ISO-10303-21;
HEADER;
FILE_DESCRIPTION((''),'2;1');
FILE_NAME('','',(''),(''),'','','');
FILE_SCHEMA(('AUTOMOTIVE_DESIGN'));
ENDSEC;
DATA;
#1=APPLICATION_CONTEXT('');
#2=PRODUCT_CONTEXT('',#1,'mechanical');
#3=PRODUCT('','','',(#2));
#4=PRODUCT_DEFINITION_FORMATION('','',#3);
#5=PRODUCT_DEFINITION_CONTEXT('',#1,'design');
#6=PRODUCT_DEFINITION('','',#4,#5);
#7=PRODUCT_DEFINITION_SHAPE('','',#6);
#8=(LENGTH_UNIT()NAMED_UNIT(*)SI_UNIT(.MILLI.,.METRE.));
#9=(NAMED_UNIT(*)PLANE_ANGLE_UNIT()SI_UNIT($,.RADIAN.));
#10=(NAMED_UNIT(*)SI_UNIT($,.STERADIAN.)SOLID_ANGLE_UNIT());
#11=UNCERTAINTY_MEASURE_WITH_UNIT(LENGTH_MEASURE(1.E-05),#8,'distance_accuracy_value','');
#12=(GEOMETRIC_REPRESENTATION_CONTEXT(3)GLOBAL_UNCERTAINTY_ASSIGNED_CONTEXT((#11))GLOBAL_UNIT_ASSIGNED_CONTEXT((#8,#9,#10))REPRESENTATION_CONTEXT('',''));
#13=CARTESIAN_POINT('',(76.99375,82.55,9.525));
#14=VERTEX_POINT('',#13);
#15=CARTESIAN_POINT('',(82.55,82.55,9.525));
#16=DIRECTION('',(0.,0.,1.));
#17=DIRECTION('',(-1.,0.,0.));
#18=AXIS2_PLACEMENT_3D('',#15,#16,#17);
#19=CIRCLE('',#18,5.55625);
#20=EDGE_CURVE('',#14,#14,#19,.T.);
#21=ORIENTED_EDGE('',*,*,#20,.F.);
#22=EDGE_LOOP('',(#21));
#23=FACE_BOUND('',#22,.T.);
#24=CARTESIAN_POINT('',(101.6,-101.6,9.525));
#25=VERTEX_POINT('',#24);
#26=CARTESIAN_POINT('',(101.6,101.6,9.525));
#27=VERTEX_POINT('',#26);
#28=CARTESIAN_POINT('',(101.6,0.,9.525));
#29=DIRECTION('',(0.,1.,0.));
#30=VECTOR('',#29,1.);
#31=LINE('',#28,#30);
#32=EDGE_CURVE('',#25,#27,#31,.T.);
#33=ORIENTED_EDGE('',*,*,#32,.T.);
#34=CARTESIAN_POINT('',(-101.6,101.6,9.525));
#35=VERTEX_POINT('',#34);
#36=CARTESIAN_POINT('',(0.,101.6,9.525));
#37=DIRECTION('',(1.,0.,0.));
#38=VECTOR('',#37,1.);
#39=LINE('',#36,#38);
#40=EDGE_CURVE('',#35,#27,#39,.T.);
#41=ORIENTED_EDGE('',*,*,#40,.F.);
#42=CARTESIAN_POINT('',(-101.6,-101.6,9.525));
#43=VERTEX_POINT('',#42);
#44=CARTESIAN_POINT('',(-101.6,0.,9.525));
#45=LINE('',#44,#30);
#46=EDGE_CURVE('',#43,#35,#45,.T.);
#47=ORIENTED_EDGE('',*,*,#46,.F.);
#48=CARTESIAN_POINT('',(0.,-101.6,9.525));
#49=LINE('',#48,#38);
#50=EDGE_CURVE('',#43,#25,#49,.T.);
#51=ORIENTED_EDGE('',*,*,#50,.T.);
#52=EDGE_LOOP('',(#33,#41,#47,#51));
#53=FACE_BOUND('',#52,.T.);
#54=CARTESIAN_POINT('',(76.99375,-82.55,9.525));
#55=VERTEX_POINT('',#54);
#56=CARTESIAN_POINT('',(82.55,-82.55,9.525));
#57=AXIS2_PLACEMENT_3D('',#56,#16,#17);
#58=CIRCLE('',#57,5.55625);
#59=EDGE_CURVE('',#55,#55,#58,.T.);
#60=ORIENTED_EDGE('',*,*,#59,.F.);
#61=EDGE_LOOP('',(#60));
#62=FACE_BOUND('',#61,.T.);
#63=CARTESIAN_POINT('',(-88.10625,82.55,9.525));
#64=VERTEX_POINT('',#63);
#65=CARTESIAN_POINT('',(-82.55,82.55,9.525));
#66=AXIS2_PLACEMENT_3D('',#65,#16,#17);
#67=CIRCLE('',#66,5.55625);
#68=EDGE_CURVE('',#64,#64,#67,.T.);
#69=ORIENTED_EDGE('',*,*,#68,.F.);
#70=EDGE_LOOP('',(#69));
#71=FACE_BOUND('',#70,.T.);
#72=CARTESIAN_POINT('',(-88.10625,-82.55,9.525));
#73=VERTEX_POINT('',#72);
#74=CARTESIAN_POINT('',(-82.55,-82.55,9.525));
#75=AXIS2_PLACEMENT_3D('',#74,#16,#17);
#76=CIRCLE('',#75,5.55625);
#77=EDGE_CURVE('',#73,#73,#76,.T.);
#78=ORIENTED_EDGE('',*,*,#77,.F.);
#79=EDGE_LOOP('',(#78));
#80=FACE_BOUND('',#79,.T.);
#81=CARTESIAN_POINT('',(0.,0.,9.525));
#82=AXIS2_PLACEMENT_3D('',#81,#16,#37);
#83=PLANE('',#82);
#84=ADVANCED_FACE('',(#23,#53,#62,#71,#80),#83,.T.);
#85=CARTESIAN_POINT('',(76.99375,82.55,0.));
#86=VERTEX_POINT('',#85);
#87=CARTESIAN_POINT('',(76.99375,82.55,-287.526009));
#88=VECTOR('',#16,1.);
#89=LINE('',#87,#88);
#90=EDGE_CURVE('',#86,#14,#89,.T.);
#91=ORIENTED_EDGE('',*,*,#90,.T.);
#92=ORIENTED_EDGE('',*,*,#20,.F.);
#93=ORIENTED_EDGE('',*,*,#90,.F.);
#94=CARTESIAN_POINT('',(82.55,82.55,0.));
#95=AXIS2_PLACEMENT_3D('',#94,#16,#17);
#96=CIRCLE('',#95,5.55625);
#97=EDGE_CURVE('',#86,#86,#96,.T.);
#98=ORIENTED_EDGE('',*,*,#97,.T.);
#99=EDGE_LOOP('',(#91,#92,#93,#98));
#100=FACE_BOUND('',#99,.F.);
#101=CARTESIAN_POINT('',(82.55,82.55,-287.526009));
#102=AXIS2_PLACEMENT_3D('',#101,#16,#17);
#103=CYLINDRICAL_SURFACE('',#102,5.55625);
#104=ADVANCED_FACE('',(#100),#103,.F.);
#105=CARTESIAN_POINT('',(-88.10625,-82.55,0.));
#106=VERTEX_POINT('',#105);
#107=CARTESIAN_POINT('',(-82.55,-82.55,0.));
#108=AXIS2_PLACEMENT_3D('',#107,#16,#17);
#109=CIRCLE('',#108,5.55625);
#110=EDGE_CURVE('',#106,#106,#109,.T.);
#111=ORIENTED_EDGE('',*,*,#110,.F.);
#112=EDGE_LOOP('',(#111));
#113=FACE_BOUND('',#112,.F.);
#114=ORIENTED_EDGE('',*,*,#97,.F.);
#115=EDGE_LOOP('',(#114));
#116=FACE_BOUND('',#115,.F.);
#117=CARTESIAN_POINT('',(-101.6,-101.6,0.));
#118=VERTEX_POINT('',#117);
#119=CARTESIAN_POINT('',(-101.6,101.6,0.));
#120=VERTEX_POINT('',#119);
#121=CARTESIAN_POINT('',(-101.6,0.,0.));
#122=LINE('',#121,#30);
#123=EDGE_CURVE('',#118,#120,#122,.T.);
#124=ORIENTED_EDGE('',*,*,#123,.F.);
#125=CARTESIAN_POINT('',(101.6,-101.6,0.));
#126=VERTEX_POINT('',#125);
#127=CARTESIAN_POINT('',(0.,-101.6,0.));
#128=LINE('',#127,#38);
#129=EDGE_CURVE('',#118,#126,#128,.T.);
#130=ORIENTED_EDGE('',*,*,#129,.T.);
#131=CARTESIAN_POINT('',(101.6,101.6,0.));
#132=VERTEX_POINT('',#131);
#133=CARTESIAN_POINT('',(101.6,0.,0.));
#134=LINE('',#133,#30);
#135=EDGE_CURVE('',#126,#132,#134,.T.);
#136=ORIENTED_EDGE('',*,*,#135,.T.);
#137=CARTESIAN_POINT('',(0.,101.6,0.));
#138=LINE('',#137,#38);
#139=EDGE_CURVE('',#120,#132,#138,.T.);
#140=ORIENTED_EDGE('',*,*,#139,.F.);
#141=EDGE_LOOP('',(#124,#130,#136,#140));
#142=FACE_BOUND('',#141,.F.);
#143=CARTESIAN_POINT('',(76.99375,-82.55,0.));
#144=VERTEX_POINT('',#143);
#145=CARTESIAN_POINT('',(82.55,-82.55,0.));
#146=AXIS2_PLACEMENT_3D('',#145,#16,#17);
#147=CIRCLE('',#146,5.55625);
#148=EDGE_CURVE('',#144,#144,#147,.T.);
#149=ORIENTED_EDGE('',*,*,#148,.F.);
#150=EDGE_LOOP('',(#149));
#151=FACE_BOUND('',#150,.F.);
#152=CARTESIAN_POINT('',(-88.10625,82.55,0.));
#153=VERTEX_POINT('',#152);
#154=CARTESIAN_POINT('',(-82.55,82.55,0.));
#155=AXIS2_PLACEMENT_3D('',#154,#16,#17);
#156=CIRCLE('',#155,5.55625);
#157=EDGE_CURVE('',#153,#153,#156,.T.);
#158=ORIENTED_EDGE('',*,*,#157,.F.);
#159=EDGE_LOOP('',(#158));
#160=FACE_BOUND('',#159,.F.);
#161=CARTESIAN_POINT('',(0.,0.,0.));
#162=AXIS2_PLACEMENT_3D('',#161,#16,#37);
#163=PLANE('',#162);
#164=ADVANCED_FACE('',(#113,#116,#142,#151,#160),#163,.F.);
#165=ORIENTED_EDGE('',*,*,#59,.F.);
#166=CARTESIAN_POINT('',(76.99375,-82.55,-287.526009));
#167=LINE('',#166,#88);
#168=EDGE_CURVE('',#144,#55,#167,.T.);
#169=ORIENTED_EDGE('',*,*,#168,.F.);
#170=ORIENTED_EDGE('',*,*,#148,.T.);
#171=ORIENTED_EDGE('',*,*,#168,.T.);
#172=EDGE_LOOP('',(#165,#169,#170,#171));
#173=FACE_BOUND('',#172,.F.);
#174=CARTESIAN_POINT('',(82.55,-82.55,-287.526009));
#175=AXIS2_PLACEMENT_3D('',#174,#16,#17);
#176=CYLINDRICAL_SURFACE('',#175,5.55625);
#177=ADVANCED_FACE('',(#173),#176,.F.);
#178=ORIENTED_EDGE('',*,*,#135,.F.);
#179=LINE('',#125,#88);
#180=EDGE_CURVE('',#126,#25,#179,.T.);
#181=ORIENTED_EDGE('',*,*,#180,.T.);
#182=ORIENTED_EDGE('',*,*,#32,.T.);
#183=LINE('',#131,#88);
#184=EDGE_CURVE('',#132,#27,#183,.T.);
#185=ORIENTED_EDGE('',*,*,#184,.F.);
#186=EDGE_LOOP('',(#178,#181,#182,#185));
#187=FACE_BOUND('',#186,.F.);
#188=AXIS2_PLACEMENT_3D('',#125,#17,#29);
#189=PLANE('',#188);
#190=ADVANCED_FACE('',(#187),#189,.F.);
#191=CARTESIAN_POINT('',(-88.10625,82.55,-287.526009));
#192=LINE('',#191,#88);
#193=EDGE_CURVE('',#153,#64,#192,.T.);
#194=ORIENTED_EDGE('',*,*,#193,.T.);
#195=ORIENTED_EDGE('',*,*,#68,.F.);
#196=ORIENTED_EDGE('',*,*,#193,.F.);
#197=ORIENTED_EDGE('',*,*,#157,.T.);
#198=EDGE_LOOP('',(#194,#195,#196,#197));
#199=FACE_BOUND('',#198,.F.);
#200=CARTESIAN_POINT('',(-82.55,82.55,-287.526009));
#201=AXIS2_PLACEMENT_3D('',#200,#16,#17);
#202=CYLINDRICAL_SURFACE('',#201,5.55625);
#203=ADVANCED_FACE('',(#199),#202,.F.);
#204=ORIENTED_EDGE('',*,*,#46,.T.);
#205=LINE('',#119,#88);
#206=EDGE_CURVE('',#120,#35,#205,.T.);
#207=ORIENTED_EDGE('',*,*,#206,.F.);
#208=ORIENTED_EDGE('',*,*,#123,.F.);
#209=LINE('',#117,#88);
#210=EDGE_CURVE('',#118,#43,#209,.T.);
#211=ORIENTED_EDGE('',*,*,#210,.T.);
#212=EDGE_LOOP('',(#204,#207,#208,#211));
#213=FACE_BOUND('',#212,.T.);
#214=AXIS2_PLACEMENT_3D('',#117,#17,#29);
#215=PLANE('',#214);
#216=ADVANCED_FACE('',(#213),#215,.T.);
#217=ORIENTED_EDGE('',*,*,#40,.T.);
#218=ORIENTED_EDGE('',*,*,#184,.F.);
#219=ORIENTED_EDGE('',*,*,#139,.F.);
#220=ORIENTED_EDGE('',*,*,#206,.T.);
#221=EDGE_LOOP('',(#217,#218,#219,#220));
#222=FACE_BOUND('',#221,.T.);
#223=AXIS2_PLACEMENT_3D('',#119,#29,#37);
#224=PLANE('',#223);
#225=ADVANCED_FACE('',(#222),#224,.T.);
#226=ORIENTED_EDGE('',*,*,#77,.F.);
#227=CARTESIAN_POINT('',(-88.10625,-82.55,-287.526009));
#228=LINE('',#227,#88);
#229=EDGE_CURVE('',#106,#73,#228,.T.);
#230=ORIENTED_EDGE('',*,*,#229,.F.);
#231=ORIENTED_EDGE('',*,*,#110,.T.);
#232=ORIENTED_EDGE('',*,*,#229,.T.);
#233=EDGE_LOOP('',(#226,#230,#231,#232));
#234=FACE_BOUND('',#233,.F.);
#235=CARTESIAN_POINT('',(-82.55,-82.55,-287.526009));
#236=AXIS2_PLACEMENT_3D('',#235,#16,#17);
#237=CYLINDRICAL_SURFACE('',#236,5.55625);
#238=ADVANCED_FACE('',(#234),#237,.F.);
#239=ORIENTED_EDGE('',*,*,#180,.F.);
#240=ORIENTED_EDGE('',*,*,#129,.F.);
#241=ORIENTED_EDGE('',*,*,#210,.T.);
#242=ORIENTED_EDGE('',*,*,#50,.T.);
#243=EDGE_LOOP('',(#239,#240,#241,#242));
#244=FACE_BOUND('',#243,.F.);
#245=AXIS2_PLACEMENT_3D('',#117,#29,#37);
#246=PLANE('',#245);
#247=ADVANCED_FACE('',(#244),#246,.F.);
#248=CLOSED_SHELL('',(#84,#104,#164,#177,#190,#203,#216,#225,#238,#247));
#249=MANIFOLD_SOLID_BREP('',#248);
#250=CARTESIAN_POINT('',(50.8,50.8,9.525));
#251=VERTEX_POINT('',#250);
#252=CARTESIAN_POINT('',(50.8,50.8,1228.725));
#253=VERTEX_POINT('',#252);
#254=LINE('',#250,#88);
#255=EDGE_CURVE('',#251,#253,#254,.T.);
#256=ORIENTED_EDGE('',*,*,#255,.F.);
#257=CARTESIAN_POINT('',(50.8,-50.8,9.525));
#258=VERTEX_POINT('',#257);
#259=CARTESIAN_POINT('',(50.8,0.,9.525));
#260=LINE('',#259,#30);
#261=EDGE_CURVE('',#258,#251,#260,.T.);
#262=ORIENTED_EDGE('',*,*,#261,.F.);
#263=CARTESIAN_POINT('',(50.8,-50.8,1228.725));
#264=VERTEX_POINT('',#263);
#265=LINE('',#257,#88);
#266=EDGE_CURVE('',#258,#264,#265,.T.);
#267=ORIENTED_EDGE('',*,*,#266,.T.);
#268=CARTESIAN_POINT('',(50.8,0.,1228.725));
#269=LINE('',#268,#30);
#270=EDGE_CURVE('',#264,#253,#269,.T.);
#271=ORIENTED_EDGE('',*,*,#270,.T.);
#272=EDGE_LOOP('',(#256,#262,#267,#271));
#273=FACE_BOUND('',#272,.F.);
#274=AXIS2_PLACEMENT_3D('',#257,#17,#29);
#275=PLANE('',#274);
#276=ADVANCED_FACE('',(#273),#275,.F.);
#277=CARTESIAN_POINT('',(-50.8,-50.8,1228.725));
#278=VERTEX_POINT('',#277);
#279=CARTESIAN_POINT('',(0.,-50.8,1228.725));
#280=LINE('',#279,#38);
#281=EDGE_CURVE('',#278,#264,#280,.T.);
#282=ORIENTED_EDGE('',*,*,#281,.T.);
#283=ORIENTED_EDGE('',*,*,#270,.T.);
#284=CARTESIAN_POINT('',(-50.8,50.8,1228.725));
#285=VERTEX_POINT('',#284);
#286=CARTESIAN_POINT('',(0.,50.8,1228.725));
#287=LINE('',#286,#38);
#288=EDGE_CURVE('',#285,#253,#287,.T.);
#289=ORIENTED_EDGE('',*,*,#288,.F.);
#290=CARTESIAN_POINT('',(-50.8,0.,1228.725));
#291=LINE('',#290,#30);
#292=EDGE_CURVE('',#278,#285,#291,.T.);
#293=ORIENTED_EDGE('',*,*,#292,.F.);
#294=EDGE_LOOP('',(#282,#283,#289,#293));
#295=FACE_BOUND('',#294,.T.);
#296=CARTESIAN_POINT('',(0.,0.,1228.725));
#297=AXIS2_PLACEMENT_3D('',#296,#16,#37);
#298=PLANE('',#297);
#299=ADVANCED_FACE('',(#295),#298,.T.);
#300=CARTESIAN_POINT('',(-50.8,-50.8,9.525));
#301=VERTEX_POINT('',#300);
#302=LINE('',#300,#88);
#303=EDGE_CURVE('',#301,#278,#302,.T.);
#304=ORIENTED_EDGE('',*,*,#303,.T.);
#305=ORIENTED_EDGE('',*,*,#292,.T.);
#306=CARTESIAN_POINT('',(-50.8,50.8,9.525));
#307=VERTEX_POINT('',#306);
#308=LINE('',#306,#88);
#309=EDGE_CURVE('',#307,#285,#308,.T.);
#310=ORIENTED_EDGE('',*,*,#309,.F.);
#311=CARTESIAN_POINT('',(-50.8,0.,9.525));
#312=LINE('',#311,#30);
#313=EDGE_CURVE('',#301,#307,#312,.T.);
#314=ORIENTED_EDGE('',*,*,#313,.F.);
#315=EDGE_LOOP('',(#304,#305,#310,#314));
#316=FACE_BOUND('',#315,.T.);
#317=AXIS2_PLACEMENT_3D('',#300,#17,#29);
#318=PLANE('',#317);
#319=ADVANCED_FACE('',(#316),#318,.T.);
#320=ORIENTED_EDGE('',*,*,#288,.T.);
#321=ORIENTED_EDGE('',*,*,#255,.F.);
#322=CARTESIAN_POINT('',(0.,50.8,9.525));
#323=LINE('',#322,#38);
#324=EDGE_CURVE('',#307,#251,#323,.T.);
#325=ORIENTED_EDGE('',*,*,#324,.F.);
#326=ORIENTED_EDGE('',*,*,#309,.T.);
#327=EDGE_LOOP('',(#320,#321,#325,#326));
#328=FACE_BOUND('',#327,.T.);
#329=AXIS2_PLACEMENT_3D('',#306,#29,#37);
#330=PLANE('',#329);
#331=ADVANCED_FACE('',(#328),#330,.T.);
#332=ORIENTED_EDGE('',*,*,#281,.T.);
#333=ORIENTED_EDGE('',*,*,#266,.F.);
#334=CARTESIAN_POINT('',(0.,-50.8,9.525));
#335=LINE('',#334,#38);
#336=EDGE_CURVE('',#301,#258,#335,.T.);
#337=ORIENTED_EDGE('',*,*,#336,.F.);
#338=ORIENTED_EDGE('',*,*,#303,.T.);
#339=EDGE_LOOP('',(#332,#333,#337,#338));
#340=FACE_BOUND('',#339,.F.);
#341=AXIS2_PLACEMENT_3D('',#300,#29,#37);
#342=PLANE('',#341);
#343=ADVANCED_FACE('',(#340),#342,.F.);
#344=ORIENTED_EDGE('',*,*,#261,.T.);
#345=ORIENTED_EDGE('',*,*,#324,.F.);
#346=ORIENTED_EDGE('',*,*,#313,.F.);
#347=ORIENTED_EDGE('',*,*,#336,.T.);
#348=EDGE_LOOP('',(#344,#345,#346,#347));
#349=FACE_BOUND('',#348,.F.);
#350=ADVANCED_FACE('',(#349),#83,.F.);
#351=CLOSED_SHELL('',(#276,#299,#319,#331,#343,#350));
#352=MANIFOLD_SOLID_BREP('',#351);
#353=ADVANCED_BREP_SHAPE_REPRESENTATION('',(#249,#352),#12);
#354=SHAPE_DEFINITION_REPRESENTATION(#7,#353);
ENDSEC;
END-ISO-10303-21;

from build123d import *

# Parameters (mm, degrees)
F0_W     = 203.2
F0_H     = 203.2
F1_DEPTH = 9.525
F3_D     = 11.1125
F2_W     = 101.6
F2_H     = 101.6
F4_DEPTH = 1219.2


with BuildPart() as f1:
    # F0 (on Top) → F1 (new body)
    with BuildSketch(Plane.XY):
        Rectangle(F0_W, F0_H)
    extrude(amount=F1_DEPTH)

    # F3 (through all)
    with Locations(Plane(origin=(0, 0, 0), x_dir=(1, 0, 0), z_dir=(0, 0, -1))):
        with Locations((-82.55, 82.55), (82.55, 82.55), (82.55, -82.55), (-82.55, -82.55)):
            Hole(F3_D / 2)


with BuildPart() as f4:
    # F2 (on face) → F4 (new body)
    with BuildSketch(Plane.XY.offset(9.525)):
        Rectangle(F2_W, F2_H)
    extrude(amount=F4_DEPTH)


solid = Compound([f1.part, f4.part])
